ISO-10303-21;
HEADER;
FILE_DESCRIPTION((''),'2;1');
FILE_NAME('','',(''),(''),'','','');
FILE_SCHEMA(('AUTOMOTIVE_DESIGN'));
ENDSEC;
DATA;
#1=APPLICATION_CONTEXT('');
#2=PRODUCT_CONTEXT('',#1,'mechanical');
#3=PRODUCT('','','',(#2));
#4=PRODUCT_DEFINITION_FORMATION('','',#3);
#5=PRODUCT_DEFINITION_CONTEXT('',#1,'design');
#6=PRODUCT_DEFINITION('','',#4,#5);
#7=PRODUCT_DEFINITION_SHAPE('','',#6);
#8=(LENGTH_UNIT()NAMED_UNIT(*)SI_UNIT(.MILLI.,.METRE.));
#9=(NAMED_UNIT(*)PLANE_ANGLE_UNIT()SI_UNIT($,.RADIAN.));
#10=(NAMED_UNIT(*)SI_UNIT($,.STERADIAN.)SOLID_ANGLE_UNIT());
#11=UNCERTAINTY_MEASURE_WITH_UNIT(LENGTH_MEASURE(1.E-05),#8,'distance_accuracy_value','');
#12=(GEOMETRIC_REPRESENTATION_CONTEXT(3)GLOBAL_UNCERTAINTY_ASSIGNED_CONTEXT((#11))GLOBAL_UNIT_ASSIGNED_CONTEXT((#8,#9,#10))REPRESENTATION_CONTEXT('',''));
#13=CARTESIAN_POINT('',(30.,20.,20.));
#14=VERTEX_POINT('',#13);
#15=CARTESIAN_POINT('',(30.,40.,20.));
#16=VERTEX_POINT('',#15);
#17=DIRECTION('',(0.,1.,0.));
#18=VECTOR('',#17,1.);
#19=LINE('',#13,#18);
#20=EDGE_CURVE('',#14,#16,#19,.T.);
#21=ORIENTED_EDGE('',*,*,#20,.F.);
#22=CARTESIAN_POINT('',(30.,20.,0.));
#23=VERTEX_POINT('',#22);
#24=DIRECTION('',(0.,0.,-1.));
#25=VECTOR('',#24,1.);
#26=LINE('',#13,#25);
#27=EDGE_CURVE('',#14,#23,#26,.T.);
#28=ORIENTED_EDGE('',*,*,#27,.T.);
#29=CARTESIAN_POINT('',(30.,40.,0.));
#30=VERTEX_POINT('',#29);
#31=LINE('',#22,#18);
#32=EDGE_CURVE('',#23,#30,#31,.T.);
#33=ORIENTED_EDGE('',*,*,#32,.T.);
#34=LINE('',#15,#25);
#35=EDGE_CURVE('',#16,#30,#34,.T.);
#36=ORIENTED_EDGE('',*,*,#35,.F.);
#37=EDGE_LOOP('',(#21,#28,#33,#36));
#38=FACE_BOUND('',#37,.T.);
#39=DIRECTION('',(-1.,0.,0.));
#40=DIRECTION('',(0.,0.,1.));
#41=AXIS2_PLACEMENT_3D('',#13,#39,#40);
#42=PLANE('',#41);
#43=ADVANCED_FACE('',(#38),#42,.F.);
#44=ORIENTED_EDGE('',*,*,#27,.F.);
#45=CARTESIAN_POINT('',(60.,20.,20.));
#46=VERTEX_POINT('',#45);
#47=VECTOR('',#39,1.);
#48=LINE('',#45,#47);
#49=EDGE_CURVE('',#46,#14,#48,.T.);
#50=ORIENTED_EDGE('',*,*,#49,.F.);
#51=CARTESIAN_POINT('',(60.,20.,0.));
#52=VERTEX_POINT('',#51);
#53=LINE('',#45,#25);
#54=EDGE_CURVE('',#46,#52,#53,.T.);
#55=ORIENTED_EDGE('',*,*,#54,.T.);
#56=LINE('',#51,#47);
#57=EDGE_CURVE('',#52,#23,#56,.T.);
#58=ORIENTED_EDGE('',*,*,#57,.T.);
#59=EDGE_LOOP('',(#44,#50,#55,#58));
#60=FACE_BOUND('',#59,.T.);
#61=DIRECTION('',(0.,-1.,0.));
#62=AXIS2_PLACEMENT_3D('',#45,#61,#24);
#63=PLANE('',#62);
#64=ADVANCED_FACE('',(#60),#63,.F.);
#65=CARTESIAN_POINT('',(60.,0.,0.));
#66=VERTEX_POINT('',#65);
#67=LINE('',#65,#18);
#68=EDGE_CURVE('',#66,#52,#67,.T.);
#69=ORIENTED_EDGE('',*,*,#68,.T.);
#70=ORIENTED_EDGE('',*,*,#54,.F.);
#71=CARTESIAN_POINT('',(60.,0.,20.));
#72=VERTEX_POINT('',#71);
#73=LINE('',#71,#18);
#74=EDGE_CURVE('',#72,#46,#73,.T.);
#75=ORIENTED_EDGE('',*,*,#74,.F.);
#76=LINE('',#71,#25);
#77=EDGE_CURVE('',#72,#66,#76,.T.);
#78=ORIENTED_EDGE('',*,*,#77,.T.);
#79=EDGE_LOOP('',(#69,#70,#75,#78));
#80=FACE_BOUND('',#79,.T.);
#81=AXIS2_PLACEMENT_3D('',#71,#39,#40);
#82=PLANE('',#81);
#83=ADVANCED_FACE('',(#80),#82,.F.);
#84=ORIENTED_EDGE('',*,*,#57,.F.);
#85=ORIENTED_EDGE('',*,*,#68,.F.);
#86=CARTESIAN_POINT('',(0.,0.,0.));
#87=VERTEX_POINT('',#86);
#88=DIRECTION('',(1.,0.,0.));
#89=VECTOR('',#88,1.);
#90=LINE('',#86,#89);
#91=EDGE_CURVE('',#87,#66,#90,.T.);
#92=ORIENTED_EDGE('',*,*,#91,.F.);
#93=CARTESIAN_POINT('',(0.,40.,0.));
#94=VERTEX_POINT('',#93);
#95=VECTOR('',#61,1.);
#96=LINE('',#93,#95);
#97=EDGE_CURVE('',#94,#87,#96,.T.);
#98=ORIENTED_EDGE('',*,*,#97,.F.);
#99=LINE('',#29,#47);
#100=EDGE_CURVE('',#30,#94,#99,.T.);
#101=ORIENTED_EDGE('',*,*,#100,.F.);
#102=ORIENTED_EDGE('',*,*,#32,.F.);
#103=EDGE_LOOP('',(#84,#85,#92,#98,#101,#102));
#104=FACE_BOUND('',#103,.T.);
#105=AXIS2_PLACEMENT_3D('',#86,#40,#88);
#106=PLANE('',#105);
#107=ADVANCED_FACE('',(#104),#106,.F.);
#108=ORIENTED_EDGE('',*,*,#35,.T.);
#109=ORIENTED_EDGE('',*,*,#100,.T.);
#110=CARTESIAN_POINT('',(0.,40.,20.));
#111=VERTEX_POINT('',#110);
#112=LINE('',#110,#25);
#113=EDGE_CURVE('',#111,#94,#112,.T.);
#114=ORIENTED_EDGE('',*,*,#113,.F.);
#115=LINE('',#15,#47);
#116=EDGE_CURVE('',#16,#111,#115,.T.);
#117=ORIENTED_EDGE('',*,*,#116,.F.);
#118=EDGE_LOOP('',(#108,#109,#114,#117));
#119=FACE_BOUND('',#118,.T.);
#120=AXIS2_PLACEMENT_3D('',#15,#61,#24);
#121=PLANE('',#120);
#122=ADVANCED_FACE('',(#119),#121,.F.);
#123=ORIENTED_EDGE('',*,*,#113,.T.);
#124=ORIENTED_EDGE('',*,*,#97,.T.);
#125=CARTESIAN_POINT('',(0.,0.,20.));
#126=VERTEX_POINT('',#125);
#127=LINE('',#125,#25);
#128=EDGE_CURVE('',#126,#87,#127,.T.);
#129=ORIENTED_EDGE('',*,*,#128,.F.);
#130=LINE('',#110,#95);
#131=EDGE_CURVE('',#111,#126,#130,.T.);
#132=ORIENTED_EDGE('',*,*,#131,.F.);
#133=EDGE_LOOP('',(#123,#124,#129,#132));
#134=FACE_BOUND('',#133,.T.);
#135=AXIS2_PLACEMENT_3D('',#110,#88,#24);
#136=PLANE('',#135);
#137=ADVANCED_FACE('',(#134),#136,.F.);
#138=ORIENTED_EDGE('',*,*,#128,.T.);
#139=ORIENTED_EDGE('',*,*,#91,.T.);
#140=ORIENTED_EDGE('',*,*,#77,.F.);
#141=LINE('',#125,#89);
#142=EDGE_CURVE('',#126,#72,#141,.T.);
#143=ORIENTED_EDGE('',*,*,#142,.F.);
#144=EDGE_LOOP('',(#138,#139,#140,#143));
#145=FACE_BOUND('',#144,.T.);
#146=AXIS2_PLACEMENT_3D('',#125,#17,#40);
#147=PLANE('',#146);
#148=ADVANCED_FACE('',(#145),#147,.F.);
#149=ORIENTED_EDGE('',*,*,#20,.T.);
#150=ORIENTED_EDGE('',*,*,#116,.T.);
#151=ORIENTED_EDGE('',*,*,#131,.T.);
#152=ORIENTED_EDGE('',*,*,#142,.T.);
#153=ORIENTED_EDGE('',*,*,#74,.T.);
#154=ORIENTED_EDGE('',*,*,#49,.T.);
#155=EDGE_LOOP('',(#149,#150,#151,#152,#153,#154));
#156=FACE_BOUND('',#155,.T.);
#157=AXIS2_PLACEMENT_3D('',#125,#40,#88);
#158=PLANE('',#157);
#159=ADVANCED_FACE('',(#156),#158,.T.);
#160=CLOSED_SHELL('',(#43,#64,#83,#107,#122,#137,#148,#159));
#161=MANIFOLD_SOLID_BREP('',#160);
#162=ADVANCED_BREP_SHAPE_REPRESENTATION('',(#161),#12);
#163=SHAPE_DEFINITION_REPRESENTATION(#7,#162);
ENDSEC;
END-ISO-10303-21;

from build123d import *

# Parameters (mm, degrees)
EXTRUDE_1_DEPTH = 20


with BuildPart() as part:
    # 草图1 → 凸台-拉伸1 (new body)
    with BuildSketch(Plane.XY):
        Polygon((0, 0), (60, 0), (60, 20), (30, 20), (30, 40), (0, 40), align=None)
    extrude(amount=EXTRUDE_1_DEPTH)


solid = part.part
